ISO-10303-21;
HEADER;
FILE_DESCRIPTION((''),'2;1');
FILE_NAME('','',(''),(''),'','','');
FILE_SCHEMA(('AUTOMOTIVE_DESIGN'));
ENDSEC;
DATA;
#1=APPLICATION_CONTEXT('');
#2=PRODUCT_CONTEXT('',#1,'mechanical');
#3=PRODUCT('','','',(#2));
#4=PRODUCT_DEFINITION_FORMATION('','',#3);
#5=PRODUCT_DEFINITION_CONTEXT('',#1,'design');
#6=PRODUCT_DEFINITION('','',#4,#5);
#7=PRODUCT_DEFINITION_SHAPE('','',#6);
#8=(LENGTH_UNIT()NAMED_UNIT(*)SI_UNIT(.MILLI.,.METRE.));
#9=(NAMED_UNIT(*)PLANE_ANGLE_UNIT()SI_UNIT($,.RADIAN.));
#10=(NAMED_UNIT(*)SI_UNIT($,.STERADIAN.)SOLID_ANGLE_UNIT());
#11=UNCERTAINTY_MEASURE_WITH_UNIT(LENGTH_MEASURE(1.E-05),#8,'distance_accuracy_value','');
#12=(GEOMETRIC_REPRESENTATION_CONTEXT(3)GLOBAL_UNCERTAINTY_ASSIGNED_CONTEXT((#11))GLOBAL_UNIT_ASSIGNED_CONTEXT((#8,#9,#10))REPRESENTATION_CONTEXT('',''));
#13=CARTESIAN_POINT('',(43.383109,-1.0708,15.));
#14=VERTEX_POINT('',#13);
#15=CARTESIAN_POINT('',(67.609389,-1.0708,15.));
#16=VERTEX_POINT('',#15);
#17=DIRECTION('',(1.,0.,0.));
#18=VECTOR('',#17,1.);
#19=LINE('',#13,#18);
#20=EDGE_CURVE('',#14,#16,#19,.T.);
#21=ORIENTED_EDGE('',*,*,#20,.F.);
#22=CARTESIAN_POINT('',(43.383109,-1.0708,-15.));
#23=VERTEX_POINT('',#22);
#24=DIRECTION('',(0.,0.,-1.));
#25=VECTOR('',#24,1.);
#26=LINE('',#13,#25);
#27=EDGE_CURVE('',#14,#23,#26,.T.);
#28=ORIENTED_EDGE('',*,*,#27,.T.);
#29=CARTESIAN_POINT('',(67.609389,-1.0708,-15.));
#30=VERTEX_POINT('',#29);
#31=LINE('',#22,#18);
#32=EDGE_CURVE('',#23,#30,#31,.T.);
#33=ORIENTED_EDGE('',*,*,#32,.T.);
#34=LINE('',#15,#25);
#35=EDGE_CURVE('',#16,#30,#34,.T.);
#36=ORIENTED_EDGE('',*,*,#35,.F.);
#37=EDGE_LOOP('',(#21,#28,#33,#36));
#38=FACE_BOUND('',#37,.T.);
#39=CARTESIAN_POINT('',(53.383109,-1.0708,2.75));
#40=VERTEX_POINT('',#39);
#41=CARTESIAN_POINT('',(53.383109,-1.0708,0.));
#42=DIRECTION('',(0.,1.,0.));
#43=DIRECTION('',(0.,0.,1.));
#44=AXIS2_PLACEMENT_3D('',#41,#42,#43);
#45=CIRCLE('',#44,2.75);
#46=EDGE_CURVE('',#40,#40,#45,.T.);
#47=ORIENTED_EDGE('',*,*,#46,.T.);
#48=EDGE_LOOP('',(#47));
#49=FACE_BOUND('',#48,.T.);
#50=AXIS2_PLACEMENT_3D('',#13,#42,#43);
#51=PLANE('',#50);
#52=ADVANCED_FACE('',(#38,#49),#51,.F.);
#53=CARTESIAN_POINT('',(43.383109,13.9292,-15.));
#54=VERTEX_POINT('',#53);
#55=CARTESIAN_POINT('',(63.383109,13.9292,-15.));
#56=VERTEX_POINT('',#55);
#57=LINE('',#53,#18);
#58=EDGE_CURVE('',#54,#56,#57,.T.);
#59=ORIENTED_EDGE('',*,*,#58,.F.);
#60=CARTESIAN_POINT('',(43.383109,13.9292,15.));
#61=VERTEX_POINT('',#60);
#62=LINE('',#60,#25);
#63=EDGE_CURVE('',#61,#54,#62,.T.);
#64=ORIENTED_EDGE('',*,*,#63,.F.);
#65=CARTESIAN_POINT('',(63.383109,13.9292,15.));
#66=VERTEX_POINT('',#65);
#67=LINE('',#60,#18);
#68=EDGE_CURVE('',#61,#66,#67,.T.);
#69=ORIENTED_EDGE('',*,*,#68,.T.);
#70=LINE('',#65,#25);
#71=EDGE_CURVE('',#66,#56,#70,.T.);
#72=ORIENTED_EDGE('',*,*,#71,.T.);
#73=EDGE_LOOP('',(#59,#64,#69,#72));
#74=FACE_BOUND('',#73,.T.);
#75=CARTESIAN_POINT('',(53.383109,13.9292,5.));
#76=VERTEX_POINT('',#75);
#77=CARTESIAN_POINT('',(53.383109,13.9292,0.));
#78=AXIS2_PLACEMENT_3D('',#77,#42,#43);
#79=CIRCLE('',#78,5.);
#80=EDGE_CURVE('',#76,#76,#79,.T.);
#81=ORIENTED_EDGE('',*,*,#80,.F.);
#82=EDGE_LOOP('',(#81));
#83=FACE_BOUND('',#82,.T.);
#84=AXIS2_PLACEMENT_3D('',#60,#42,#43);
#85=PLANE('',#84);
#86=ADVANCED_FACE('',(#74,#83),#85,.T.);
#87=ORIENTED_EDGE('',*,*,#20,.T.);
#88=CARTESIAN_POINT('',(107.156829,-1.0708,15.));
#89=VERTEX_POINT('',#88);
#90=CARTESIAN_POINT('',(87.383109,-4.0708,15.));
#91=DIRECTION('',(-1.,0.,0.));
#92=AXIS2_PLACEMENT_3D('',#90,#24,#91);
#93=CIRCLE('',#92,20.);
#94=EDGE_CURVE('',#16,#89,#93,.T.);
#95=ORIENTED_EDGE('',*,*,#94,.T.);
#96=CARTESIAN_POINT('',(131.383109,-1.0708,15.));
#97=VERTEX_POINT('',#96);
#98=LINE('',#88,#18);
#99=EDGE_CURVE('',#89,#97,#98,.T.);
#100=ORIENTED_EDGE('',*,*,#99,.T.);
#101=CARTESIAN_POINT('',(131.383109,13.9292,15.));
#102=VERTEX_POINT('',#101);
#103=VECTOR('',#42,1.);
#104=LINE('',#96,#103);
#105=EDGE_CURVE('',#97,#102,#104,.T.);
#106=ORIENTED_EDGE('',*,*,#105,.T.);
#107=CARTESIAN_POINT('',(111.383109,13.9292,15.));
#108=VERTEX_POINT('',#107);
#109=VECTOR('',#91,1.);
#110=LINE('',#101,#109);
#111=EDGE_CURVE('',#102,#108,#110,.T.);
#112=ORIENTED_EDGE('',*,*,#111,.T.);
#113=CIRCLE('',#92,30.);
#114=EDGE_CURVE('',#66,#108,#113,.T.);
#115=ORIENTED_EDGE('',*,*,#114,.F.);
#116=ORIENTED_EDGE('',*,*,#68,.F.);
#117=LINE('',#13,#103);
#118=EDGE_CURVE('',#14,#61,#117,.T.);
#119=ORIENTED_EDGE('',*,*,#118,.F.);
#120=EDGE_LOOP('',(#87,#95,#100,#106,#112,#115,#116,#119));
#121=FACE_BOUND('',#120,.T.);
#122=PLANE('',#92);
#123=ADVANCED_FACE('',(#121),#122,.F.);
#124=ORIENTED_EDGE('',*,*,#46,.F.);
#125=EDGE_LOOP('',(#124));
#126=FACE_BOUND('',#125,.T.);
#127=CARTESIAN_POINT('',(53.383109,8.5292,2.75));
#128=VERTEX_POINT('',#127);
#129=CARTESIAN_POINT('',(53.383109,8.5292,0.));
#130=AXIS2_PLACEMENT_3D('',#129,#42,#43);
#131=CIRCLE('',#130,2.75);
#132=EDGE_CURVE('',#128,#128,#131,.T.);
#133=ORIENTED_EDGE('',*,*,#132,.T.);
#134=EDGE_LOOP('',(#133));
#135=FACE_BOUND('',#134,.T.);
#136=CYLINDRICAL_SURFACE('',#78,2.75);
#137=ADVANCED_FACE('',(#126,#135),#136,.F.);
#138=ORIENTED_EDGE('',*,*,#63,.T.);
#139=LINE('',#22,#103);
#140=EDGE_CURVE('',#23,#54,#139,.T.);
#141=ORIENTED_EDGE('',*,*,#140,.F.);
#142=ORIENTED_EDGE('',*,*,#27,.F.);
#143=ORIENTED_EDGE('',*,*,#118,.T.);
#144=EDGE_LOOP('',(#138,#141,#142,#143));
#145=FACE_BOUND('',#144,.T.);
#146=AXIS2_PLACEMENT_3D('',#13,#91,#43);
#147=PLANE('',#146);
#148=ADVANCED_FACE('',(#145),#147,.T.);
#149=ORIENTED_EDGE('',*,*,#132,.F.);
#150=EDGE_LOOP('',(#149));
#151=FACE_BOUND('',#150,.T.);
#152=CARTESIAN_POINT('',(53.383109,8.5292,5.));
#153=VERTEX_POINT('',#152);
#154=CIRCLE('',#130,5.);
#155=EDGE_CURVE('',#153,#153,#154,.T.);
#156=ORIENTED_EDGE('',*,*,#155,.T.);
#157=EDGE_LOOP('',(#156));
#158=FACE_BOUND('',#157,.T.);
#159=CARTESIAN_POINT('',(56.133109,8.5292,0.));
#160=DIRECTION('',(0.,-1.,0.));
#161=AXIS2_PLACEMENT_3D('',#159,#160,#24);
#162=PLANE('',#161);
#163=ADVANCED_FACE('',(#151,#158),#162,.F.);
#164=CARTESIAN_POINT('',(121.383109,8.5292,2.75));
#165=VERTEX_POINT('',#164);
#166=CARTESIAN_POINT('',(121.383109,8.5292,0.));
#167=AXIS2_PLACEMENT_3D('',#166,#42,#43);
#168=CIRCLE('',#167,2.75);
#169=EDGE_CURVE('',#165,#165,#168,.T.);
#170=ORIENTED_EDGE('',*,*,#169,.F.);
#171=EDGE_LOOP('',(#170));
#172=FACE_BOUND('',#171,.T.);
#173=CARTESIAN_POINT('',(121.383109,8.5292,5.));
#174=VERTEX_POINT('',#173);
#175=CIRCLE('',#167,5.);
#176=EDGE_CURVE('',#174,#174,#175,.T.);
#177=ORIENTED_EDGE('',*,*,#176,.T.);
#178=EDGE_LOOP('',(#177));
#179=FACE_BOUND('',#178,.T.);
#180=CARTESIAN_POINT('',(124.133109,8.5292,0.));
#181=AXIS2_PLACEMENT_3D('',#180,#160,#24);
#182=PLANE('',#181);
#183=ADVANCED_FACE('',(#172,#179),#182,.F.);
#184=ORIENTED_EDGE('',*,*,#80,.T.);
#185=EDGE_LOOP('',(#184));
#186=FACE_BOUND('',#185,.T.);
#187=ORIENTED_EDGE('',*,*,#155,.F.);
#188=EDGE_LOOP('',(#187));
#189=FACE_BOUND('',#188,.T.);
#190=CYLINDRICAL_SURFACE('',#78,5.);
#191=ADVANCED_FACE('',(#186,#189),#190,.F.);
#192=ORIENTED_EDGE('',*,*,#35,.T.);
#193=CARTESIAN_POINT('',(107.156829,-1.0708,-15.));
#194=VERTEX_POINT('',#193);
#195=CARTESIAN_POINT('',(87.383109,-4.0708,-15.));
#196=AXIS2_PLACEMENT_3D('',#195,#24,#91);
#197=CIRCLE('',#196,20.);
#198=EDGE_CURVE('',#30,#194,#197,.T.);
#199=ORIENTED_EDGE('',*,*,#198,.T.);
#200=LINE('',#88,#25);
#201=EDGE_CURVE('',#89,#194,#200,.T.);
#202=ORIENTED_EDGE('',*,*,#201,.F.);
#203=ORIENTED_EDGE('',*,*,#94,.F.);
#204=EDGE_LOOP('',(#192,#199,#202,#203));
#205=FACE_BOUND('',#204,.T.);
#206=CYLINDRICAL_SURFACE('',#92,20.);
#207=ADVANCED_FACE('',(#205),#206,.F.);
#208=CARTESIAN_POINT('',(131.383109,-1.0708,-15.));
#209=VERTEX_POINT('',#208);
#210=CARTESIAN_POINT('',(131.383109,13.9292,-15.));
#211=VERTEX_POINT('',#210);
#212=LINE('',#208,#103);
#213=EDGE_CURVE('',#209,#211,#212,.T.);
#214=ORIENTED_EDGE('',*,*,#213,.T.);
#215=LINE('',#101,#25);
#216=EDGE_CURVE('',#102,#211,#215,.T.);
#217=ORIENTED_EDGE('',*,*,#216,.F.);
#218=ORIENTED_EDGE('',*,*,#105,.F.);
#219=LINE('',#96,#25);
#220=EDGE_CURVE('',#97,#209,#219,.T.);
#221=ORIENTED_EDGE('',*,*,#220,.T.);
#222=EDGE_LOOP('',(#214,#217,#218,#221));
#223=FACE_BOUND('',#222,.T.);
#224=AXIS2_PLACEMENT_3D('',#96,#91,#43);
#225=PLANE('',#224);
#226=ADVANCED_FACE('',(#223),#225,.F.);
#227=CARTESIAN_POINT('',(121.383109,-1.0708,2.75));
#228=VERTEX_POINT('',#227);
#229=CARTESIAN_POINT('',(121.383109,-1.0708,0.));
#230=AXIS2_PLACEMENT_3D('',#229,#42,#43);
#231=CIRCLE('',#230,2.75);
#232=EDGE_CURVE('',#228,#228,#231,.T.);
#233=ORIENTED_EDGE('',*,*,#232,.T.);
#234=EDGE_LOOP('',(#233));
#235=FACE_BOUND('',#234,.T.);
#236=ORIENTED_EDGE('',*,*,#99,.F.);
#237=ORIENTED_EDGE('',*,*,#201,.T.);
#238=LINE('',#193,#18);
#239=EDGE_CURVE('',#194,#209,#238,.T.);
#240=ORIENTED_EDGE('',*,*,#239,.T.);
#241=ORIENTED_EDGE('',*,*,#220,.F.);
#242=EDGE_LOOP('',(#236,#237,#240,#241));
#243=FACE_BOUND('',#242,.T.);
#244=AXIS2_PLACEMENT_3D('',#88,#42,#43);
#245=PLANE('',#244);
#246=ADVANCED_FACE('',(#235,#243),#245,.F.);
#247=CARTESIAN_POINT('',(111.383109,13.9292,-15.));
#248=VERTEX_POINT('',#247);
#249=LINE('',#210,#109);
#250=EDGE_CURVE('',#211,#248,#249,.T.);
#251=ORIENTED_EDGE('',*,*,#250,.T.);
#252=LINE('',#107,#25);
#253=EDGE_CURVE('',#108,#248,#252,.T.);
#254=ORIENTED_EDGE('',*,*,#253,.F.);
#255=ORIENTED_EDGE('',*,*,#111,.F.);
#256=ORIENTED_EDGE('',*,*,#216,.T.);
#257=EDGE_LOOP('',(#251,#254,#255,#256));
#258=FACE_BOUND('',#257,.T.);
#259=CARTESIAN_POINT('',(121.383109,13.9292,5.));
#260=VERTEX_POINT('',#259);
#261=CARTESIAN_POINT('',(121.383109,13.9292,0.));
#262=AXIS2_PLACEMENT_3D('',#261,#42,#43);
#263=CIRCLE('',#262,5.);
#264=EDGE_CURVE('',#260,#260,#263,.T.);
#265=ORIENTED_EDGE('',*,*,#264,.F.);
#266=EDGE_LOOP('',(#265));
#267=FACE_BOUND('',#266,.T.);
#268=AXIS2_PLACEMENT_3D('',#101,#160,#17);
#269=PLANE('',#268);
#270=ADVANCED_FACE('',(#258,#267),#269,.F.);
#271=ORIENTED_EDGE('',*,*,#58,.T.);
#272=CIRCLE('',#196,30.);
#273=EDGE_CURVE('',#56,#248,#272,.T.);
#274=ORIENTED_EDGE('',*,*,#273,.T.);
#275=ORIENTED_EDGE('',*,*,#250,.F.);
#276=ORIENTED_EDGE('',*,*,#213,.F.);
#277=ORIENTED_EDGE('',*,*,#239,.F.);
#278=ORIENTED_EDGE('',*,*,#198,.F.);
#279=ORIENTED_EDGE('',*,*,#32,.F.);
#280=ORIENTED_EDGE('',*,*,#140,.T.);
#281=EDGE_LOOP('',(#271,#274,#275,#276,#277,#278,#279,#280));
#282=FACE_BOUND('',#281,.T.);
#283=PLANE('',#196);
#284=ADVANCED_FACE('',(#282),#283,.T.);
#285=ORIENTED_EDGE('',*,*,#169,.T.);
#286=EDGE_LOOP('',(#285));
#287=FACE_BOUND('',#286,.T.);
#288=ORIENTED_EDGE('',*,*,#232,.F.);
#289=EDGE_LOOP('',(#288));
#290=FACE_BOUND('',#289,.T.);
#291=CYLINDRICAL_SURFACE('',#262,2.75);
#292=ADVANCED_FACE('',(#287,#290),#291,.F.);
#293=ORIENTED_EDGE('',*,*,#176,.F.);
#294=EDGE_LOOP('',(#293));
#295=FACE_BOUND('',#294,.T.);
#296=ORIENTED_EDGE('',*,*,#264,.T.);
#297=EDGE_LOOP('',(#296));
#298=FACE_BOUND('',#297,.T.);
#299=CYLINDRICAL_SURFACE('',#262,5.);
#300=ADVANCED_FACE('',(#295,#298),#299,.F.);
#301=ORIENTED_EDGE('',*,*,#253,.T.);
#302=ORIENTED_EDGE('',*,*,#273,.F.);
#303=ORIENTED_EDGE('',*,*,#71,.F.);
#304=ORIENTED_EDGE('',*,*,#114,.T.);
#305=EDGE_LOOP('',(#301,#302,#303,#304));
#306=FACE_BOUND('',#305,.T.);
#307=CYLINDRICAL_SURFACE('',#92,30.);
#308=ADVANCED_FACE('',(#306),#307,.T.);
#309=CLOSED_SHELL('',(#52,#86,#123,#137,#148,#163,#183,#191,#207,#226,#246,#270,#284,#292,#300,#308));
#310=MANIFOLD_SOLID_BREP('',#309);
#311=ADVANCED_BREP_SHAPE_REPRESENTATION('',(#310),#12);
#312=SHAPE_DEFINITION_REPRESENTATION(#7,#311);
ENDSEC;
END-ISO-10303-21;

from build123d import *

# Parameters (mm, degrees)
BOSS_EXTRU_1_DEPTH                                 = 15
CHAMBRAGE_POUR_VIS_T_TE_HEXAGONALE_M51_D           = 5.5
CHAMBRAGE_POUR_VIS_T_TE_HEXAGONALE_M51_CBORE_D     = 10
CHAMBRAGE_POUR_VIS_T_TE_HEXAGONALE_M51_CBORE_DEPTH = 5.4


with BuildPart() as part:
    # Esquisse1 → Boss.-Extru.1 (new, symmetric)
    with BuildSketch(Plane.XY):
        with BuildLine():
            Line((43.383109312, -1.070799618), (67.609389379, -1.070799618))
            ThreePointArc((67.609389379, -1.070799618), (87.383109312, 15.929200382), (107.156829246, -1.070799618))
            Line((107.156829246, -1.070799618), (131.383109312, -1.070799618))
            Line((131.383109312, -1.070799618), (131.383109312, 13.929200382))
            Line((131.383109312, 13.929200382), (111.383109312, 13.929200382))
            ThreePointArc((111.383109312, 13.929200382), (87.383109312, 25.929200382), (63.383109312, 13.929200382))
            Line((63.383109312, 13.929200382), (43.383109312, 13.929200382))
            Line((43.383109312, 13.929200382), (43.383109312, -1.070799618))
        make_face()
    extrude(amount=BOSS_EXTRU_1_DEPTH, both=True)

    # Chambrage pour vis à tête hexagonale M51 (through all)
    with Locations(Plane(origin=(53.383109312, 13.929200382, 0), x_dir=(0, 0, 1), z_dir=(0, 1, 0))):
        with Locations((0, 0), (0, 68)):
            CounterBoreHole(CHAMBRAGE_POUR_VIS_T_TE_HEXAGONALE_M51_D / 2, CHAMBRAGE_POUR_VIS_T_TE_HEXAGONALE_M51_CBORE_D / 2, CHAMBRAGE_POUR_VIS_T_TE_HEXAGONALE_M51_CBORE_DEPTH)


solid = part.part
